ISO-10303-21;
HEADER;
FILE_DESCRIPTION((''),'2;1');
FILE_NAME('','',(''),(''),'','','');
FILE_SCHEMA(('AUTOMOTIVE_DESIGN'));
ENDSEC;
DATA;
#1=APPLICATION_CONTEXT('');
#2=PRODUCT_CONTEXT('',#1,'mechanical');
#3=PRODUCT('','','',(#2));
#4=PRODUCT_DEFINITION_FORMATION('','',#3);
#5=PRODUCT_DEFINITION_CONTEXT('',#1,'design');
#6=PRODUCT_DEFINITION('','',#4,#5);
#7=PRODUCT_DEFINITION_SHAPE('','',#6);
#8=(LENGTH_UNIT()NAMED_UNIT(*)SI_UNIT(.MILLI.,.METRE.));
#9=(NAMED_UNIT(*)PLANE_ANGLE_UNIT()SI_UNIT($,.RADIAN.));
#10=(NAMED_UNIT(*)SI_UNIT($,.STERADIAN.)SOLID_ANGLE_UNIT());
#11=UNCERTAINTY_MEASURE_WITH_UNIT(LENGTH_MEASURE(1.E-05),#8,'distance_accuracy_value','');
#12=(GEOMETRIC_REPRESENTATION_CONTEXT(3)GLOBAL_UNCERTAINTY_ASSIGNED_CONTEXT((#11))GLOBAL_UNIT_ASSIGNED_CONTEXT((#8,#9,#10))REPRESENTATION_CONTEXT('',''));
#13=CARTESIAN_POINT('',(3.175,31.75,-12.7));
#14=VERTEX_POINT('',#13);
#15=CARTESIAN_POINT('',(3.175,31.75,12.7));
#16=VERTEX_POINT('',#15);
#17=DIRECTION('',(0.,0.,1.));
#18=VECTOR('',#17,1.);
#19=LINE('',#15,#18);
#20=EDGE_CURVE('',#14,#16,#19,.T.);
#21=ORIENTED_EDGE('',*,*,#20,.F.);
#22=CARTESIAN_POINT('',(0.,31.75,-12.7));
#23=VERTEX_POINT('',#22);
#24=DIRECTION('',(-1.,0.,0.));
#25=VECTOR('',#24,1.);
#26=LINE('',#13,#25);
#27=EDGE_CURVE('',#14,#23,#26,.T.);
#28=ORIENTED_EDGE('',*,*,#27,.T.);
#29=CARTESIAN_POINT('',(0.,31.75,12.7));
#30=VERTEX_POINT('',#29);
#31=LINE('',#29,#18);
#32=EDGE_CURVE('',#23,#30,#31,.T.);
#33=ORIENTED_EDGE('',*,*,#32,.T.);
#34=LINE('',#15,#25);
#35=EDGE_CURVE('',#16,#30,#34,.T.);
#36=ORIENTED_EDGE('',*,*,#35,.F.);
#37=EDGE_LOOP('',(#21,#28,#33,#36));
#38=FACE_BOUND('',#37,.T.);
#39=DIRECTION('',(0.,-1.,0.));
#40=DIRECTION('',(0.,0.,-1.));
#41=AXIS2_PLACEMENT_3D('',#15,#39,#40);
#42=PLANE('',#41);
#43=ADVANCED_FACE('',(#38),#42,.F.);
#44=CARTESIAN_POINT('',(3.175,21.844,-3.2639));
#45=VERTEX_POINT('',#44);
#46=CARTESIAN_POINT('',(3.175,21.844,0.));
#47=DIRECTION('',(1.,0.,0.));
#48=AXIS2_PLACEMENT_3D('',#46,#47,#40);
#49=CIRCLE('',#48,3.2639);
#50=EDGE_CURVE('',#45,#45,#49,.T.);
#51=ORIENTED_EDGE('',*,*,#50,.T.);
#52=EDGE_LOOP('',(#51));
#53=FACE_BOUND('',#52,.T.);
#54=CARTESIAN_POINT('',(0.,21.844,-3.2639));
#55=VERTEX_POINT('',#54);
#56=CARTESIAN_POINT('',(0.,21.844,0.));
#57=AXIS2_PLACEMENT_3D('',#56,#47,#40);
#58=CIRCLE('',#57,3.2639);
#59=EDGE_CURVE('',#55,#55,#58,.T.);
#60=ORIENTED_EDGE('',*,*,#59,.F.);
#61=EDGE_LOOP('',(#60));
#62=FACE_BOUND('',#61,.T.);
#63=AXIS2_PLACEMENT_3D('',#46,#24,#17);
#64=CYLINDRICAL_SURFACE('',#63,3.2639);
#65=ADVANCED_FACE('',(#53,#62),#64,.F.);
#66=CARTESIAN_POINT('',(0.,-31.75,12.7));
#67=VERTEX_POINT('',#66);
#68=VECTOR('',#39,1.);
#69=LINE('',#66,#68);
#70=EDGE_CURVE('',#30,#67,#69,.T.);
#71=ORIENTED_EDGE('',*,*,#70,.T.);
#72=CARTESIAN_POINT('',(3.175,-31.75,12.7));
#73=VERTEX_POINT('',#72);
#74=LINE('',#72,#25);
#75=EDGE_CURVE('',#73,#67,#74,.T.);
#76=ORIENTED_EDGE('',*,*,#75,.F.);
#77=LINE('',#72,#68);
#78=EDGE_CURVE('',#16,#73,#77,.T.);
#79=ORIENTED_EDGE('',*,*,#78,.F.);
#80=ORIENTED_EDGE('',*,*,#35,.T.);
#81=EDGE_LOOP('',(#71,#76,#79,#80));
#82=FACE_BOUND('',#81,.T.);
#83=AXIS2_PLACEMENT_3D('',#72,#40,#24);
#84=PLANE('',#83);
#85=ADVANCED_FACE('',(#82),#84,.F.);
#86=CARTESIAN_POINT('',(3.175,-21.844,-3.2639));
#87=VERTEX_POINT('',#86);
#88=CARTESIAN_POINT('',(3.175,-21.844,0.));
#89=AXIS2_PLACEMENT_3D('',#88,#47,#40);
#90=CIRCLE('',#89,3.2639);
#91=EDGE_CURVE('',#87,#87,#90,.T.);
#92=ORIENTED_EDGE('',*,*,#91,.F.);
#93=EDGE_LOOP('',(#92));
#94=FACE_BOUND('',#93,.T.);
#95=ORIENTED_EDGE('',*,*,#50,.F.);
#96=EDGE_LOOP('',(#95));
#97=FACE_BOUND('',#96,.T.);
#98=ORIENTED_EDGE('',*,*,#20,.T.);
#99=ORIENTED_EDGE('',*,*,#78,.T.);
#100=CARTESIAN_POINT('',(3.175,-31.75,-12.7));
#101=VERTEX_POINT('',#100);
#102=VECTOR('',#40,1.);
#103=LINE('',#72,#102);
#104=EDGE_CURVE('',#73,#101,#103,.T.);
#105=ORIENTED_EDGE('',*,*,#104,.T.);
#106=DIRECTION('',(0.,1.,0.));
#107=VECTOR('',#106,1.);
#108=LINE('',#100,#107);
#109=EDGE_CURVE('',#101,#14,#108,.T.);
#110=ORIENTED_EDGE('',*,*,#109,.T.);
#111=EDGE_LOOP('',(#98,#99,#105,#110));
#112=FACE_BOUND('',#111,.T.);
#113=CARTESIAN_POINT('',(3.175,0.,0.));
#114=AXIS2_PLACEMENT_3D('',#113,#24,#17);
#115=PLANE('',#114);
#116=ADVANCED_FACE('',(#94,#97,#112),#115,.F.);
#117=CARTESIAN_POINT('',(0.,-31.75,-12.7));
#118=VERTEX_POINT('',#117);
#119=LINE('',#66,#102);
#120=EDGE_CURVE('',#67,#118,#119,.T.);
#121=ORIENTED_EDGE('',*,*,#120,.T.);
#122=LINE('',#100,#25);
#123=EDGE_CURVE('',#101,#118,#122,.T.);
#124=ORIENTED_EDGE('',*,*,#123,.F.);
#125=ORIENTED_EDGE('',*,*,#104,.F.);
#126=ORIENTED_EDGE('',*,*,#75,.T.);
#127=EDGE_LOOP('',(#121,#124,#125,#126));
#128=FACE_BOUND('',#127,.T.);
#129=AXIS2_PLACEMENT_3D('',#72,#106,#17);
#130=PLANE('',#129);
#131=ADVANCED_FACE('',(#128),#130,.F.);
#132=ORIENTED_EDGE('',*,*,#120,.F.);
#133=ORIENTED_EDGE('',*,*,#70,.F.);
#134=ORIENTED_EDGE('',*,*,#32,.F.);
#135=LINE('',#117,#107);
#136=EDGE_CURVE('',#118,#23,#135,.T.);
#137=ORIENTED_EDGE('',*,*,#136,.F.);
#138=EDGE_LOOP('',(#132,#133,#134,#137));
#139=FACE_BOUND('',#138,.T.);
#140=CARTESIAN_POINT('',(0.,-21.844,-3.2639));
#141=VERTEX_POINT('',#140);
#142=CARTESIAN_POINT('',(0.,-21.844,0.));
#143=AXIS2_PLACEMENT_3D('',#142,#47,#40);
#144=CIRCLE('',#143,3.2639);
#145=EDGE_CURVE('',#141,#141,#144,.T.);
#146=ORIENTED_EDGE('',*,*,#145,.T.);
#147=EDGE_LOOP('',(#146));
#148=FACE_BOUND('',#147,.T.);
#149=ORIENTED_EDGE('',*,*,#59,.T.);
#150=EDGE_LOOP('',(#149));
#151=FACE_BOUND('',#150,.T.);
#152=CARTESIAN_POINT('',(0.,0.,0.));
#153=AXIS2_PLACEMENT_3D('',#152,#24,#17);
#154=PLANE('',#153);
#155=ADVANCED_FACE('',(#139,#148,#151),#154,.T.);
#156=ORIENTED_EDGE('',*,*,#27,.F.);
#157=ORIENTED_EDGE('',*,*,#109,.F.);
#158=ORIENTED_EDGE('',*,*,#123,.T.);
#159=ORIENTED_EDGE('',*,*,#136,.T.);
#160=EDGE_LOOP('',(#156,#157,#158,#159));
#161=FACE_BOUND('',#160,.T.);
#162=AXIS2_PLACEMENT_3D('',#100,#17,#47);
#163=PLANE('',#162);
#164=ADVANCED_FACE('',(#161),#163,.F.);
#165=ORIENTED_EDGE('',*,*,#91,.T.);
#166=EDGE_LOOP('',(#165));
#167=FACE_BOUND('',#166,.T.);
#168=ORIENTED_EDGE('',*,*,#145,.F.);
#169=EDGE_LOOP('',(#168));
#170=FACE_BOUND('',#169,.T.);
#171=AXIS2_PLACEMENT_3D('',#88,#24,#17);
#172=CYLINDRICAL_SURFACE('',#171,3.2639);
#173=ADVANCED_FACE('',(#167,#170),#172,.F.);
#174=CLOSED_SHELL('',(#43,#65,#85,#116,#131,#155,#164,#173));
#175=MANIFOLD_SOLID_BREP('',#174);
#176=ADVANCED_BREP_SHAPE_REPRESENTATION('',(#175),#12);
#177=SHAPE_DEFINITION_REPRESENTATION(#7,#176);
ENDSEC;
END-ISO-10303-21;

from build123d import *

# Parameters (mm, degrees)
SKETCH2_W           = 25.4
SKETCH2_H           = 63.5
SKETCH2_R           = 3.2639
BOSS_EXTRUDE1_DEPTH = 3.175


with BuildPart() as part:
    # Sketch2 → Boss-Extrude1 (new body)
    with BuildSketch(Plane(origin=(0, 0, 0), x_dir=(0, 0, -1), z_dir=(1, 0, 0))):
        Rectangle(SKETCH2_W, SKETCH2_H)
        with Locations((0, 21.844)):
            Circle(SKETCH2_R, mode=Mode.SUBTRACT)
        with Locations((0, -21.844)):
            Circle(SKETCH2_R, mode=Mode.SUBTRACT)
    extrude(amount=BOSS_EXTRUDE1_DEPTH)


solid = part.part
